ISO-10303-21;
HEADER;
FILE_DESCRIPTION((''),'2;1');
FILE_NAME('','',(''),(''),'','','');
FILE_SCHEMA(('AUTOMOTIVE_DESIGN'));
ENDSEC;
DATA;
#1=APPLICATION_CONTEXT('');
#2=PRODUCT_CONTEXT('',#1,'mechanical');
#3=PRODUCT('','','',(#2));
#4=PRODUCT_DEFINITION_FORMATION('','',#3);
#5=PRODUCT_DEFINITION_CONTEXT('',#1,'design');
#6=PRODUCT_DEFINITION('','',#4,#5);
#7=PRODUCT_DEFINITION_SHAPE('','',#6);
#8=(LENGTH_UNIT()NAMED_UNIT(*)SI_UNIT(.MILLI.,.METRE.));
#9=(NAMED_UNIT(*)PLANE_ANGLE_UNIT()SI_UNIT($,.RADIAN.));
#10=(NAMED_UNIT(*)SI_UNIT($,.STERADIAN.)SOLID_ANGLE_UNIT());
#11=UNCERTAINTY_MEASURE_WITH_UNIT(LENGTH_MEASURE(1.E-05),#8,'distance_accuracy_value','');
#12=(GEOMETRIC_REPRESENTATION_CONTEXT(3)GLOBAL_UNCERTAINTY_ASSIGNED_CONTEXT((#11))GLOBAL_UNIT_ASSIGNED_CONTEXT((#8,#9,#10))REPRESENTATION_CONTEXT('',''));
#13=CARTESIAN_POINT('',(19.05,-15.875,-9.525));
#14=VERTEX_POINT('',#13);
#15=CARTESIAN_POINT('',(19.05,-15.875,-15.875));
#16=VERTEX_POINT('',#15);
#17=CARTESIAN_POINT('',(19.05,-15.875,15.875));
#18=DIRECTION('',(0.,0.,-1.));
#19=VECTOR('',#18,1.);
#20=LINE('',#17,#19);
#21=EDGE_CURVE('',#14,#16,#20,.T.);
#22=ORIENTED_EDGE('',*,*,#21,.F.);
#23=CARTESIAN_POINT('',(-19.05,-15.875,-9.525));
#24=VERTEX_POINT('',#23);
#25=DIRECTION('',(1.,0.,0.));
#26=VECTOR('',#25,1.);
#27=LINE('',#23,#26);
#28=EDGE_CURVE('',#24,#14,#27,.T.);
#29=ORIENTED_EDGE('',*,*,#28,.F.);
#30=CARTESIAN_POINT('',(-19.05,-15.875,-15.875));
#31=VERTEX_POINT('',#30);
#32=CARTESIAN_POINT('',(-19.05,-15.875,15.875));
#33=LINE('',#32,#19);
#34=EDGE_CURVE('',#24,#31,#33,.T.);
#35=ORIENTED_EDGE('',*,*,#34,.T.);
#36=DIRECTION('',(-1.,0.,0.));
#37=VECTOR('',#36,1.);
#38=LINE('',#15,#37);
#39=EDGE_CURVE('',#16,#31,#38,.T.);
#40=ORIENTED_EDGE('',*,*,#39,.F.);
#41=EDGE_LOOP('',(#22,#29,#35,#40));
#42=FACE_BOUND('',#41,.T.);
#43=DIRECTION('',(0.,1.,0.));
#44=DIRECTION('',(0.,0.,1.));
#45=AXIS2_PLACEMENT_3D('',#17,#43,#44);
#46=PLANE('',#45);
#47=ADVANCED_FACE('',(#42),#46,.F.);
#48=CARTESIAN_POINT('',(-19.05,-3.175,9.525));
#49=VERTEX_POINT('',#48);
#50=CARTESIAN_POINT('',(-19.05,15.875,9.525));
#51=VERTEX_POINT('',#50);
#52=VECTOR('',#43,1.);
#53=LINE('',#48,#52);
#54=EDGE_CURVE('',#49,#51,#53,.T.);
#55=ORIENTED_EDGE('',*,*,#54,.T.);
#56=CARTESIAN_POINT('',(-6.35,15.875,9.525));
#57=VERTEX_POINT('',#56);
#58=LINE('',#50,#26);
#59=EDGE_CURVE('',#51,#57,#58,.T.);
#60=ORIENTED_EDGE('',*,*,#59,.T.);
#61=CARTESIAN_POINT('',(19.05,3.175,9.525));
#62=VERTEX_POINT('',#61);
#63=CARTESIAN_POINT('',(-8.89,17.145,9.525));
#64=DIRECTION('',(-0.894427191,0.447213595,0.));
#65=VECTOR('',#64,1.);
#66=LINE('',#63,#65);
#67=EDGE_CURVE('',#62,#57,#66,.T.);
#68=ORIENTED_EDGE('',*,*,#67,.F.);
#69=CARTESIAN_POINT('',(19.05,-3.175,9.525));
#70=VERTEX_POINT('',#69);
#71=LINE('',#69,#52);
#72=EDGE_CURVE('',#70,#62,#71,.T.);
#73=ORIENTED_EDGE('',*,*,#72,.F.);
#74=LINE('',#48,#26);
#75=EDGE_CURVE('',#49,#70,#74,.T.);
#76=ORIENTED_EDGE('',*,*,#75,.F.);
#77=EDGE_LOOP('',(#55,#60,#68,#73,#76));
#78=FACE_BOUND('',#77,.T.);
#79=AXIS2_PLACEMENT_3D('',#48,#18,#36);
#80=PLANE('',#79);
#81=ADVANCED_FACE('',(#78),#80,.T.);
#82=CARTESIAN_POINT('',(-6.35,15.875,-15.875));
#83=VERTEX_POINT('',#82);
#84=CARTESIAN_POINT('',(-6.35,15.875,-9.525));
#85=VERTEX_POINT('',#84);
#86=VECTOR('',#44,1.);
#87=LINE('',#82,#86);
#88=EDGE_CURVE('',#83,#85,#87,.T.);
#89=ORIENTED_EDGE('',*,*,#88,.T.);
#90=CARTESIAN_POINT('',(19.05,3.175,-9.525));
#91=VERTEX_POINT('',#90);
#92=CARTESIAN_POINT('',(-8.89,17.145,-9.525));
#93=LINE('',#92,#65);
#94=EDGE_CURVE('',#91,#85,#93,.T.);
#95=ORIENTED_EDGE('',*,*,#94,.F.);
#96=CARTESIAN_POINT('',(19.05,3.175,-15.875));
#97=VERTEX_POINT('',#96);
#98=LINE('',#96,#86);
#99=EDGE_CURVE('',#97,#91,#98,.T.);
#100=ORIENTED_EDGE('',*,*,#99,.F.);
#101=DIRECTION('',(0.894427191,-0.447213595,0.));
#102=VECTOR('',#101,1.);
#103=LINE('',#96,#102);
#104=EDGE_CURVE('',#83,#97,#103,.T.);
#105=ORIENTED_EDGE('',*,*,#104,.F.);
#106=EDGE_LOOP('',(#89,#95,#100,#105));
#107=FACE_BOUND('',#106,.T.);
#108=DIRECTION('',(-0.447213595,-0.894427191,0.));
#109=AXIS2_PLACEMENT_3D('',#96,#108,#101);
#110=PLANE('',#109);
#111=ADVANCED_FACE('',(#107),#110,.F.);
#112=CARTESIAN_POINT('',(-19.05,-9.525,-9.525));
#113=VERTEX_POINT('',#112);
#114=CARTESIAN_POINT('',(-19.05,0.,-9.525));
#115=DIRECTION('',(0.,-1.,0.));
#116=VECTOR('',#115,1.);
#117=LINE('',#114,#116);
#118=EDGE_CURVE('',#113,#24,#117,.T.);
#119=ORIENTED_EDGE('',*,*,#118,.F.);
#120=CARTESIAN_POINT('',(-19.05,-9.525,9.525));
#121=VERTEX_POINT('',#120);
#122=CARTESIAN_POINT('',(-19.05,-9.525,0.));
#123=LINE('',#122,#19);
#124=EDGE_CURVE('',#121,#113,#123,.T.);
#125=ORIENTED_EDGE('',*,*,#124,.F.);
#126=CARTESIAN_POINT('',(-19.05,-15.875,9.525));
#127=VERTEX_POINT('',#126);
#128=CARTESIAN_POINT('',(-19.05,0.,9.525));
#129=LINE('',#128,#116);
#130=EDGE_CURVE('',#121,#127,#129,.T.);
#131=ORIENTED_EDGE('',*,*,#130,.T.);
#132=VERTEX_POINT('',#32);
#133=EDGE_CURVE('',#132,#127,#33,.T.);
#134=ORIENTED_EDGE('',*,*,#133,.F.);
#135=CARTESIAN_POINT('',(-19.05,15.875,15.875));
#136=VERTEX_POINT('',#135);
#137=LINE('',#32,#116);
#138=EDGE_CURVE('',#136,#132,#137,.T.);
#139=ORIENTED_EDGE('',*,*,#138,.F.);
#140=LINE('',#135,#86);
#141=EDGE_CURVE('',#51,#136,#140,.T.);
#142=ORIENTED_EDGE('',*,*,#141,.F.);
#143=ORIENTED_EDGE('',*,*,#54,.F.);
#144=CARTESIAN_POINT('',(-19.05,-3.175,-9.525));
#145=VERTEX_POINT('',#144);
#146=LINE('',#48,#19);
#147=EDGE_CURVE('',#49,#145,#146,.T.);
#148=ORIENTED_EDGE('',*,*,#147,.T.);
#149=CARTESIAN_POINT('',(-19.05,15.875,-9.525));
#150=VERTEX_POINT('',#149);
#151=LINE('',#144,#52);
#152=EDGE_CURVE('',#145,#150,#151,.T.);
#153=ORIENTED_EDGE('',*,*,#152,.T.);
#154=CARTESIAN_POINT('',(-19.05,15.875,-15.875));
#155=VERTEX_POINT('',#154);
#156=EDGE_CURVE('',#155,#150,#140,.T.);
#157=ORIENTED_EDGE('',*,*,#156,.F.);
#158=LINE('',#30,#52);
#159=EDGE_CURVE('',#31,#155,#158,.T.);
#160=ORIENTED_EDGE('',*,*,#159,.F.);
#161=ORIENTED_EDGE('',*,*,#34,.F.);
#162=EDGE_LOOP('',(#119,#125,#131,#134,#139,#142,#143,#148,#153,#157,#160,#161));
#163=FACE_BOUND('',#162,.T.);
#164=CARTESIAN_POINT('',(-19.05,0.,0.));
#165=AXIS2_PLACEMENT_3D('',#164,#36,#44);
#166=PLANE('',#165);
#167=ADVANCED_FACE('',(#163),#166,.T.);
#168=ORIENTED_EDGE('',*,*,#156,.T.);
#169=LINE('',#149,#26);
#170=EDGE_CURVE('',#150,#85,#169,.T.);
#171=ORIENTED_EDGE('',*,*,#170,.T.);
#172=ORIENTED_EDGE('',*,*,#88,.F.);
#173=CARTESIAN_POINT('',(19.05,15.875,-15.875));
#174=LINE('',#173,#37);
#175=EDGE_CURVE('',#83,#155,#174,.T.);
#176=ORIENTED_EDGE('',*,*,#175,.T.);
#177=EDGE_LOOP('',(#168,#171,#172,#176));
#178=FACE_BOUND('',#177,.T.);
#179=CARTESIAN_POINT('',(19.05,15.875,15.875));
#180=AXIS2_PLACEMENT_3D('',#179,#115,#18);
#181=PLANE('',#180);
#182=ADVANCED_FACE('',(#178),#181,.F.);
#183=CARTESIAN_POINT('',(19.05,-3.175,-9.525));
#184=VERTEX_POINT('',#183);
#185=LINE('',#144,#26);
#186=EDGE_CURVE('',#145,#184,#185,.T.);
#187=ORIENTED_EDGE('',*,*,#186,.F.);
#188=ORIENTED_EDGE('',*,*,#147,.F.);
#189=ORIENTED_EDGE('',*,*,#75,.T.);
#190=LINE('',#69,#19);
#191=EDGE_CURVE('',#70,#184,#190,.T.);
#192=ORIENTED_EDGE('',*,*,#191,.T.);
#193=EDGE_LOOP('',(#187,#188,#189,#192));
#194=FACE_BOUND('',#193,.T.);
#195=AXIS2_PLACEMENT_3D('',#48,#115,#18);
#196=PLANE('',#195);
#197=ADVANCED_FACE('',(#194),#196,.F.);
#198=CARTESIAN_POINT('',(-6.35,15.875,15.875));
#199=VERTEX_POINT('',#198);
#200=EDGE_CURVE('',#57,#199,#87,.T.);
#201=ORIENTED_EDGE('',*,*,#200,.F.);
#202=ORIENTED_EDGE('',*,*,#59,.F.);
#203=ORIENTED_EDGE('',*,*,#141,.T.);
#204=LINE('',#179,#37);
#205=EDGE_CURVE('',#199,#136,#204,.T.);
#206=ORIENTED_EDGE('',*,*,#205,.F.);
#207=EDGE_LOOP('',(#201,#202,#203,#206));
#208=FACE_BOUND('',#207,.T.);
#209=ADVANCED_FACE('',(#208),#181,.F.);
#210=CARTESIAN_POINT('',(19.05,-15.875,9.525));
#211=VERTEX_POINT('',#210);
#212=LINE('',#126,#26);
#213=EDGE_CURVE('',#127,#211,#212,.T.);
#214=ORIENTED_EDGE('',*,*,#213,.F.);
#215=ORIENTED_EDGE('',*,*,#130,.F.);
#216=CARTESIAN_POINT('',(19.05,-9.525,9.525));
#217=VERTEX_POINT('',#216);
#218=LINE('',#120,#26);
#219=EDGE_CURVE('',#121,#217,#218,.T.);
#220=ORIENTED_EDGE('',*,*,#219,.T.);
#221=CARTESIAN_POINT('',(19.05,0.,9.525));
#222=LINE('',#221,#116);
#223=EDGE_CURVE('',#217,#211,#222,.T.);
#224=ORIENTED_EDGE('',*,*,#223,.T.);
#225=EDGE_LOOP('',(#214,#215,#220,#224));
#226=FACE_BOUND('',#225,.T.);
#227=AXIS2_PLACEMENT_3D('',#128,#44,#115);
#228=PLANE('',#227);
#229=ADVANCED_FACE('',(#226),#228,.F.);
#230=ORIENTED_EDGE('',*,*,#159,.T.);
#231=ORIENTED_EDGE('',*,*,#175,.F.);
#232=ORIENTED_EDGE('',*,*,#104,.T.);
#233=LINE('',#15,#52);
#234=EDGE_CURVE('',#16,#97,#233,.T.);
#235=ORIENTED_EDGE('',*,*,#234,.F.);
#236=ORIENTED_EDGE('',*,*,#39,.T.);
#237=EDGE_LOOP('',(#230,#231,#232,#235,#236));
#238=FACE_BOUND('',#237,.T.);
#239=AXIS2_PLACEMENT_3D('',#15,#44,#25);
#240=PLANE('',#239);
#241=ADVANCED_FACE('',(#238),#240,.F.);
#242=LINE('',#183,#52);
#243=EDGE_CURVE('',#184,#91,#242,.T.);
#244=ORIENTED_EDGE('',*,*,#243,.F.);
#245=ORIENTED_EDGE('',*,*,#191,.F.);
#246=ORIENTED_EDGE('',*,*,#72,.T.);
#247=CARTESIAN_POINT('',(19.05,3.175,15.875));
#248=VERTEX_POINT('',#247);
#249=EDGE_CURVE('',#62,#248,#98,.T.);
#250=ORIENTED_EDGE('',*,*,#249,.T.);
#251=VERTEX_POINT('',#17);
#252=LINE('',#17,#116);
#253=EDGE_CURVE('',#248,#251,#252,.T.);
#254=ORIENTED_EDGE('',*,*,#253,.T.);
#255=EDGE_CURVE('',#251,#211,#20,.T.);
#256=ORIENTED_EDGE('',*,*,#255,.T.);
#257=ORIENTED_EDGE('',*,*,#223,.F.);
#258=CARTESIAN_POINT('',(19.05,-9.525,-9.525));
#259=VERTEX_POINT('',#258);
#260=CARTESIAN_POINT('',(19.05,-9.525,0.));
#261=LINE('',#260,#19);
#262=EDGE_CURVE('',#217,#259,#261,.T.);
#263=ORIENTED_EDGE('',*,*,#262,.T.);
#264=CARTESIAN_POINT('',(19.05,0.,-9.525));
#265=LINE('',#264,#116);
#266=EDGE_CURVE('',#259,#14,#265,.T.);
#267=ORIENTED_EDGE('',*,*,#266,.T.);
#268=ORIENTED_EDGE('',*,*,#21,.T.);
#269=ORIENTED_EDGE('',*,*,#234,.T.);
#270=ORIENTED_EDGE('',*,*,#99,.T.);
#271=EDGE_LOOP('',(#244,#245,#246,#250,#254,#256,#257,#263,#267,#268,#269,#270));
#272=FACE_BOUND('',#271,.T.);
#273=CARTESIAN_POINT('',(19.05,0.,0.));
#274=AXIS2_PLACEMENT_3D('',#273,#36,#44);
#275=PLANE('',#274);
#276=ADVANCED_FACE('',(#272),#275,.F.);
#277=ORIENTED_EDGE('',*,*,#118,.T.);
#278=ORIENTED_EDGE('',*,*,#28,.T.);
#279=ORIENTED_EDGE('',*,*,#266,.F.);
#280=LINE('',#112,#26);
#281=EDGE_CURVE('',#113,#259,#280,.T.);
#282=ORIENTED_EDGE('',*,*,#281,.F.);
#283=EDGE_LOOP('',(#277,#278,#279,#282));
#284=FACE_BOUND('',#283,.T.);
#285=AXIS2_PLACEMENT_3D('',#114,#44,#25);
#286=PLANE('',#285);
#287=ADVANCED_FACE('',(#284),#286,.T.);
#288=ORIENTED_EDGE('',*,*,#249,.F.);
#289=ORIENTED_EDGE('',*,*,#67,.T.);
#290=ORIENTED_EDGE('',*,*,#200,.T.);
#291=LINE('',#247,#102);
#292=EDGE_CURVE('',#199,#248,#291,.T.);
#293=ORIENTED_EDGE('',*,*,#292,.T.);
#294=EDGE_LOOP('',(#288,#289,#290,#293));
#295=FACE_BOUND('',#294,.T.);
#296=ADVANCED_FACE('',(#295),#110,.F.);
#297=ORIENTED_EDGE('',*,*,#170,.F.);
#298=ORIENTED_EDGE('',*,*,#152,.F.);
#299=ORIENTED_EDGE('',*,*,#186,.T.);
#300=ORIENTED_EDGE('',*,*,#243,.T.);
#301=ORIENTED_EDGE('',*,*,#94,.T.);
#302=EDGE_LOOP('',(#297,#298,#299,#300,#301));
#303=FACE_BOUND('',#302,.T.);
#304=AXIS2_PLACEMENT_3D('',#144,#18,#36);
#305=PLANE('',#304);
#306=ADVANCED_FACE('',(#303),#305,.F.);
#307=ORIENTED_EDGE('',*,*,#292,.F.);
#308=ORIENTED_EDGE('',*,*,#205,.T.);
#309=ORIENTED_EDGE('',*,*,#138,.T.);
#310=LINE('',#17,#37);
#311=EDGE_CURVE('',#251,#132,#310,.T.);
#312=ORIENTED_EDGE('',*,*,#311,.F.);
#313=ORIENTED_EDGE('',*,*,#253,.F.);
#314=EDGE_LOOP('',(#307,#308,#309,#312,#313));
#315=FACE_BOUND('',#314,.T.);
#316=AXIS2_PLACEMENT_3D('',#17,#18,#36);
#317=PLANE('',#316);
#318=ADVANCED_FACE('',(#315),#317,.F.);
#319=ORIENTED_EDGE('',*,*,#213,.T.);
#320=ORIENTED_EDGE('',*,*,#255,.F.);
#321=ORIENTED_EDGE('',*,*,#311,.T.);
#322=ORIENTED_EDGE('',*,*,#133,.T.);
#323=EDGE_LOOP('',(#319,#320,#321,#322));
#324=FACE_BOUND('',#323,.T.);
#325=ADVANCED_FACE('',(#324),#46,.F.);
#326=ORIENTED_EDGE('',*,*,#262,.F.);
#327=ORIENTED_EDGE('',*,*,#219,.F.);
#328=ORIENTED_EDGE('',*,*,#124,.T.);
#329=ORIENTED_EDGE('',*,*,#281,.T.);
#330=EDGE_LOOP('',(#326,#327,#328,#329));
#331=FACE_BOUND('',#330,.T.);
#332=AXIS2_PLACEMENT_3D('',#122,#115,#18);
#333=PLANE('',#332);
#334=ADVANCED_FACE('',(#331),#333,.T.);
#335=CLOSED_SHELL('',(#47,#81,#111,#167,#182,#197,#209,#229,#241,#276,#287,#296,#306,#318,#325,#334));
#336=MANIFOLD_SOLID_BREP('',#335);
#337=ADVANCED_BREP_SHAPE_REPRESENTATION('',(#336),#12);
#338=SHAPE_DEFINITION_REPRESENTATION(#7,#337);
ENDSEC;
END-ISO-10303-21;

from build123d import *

# Parameters (mm, degrees)
SKETCH2_W               = 31.75
SKETCH2_H               = 31.75
BOSS_EXTRUDE2_DEPTH     = 19.05
CUT_EXTRUDE1_DEPTH      = 30.443738723
CUT_EXTRUDE1_DEPTH_BACK = 30.443738723
SKETCH4_W               = 19.05
SKETCH4_H               = 19.05
CUT_EXTRUDE2_DEPTH      = 30.443738723
CUT_EXTRUDE2_DEPTH_BACK = 30.443738723
SKETCH5_W               = 19.05
SKETCH5_H               = 6.35
CUT_EXTRUDE3_DEPTH      = 30.443738723
CUT_EXTRUDE3_DEPTH_BACK = 30.443738723


with BuildPart() as part:
    # Sketch2 → Boss-Extrude2 (new, symmetric)
    with BuildSketch(Plane(origin=(0, 0, 0), x_dir=(0, 0, -1), z_dir=(1, 0, 0))):
        Rectangle(SKETCH2_W, SKETCH2_H)
    extrude(amount=BOSS_EXTRUDE2_DEPTH, both=True)

    # Sketch4 → Cut-Extrude1 (cut, two sides: drawn at the far end of the back side and taken through both)
    with BuildSketch(Plane(origin=(0, 0, 0), x_dir=(0, 0, -1), z_dir=(1, 0, 0)).offset(-CUT_EXTRUDE1_DEPTH_BACK)):
        with Locations((0, 6.35)):
            Rectangle(SKETCH4_W, SKETCH4_H)
    extrude(amount=CUT_EXTRUDE1_DEPTH + CUT_EXTRUDE1_DEPTH_BACK, mode=Mode.SUBTRACT)

    # Sketch5 → Cut-Extrude2 (cut, two sides: drawn at the far end of the back side and taken through both)
    with BuildSketch(Plane(origin=(0, 0, 0), x_dir=(0, 0, -1), z_dir=(1, 0, 0)).offset(-CUT_EXTRUDE2_DEPTH_BACK)):
        with Locations((0, -12.7)):
            Rectangle(SKETCH5_W, SKETCH5_H)
    extrude(amount=CUT_EXTRUDE2_DEPTH + CUT_EXTRUDE2_DEPTH_BACK, mode=Mode.SUBTRACT)

    # Sketch6 → Cut-Extrude3 (cut, two sides: drawn at the far end of the back side and taken through both)
    with BuildSketch(Plane.XY.offset(-CUT_EXTRUDE3_DEPTH_BACK)):
        Polygon((19.05, 15.875), (19.05, 3.175), (-6.35, 15.875), align=None)
    extrude(amount=CUT_EXTRUDE3_DEPTH + CUT_EXTRUDE3_DEPTH_BACK, mode=Mode.SUBTRACT)


solid = part.part
